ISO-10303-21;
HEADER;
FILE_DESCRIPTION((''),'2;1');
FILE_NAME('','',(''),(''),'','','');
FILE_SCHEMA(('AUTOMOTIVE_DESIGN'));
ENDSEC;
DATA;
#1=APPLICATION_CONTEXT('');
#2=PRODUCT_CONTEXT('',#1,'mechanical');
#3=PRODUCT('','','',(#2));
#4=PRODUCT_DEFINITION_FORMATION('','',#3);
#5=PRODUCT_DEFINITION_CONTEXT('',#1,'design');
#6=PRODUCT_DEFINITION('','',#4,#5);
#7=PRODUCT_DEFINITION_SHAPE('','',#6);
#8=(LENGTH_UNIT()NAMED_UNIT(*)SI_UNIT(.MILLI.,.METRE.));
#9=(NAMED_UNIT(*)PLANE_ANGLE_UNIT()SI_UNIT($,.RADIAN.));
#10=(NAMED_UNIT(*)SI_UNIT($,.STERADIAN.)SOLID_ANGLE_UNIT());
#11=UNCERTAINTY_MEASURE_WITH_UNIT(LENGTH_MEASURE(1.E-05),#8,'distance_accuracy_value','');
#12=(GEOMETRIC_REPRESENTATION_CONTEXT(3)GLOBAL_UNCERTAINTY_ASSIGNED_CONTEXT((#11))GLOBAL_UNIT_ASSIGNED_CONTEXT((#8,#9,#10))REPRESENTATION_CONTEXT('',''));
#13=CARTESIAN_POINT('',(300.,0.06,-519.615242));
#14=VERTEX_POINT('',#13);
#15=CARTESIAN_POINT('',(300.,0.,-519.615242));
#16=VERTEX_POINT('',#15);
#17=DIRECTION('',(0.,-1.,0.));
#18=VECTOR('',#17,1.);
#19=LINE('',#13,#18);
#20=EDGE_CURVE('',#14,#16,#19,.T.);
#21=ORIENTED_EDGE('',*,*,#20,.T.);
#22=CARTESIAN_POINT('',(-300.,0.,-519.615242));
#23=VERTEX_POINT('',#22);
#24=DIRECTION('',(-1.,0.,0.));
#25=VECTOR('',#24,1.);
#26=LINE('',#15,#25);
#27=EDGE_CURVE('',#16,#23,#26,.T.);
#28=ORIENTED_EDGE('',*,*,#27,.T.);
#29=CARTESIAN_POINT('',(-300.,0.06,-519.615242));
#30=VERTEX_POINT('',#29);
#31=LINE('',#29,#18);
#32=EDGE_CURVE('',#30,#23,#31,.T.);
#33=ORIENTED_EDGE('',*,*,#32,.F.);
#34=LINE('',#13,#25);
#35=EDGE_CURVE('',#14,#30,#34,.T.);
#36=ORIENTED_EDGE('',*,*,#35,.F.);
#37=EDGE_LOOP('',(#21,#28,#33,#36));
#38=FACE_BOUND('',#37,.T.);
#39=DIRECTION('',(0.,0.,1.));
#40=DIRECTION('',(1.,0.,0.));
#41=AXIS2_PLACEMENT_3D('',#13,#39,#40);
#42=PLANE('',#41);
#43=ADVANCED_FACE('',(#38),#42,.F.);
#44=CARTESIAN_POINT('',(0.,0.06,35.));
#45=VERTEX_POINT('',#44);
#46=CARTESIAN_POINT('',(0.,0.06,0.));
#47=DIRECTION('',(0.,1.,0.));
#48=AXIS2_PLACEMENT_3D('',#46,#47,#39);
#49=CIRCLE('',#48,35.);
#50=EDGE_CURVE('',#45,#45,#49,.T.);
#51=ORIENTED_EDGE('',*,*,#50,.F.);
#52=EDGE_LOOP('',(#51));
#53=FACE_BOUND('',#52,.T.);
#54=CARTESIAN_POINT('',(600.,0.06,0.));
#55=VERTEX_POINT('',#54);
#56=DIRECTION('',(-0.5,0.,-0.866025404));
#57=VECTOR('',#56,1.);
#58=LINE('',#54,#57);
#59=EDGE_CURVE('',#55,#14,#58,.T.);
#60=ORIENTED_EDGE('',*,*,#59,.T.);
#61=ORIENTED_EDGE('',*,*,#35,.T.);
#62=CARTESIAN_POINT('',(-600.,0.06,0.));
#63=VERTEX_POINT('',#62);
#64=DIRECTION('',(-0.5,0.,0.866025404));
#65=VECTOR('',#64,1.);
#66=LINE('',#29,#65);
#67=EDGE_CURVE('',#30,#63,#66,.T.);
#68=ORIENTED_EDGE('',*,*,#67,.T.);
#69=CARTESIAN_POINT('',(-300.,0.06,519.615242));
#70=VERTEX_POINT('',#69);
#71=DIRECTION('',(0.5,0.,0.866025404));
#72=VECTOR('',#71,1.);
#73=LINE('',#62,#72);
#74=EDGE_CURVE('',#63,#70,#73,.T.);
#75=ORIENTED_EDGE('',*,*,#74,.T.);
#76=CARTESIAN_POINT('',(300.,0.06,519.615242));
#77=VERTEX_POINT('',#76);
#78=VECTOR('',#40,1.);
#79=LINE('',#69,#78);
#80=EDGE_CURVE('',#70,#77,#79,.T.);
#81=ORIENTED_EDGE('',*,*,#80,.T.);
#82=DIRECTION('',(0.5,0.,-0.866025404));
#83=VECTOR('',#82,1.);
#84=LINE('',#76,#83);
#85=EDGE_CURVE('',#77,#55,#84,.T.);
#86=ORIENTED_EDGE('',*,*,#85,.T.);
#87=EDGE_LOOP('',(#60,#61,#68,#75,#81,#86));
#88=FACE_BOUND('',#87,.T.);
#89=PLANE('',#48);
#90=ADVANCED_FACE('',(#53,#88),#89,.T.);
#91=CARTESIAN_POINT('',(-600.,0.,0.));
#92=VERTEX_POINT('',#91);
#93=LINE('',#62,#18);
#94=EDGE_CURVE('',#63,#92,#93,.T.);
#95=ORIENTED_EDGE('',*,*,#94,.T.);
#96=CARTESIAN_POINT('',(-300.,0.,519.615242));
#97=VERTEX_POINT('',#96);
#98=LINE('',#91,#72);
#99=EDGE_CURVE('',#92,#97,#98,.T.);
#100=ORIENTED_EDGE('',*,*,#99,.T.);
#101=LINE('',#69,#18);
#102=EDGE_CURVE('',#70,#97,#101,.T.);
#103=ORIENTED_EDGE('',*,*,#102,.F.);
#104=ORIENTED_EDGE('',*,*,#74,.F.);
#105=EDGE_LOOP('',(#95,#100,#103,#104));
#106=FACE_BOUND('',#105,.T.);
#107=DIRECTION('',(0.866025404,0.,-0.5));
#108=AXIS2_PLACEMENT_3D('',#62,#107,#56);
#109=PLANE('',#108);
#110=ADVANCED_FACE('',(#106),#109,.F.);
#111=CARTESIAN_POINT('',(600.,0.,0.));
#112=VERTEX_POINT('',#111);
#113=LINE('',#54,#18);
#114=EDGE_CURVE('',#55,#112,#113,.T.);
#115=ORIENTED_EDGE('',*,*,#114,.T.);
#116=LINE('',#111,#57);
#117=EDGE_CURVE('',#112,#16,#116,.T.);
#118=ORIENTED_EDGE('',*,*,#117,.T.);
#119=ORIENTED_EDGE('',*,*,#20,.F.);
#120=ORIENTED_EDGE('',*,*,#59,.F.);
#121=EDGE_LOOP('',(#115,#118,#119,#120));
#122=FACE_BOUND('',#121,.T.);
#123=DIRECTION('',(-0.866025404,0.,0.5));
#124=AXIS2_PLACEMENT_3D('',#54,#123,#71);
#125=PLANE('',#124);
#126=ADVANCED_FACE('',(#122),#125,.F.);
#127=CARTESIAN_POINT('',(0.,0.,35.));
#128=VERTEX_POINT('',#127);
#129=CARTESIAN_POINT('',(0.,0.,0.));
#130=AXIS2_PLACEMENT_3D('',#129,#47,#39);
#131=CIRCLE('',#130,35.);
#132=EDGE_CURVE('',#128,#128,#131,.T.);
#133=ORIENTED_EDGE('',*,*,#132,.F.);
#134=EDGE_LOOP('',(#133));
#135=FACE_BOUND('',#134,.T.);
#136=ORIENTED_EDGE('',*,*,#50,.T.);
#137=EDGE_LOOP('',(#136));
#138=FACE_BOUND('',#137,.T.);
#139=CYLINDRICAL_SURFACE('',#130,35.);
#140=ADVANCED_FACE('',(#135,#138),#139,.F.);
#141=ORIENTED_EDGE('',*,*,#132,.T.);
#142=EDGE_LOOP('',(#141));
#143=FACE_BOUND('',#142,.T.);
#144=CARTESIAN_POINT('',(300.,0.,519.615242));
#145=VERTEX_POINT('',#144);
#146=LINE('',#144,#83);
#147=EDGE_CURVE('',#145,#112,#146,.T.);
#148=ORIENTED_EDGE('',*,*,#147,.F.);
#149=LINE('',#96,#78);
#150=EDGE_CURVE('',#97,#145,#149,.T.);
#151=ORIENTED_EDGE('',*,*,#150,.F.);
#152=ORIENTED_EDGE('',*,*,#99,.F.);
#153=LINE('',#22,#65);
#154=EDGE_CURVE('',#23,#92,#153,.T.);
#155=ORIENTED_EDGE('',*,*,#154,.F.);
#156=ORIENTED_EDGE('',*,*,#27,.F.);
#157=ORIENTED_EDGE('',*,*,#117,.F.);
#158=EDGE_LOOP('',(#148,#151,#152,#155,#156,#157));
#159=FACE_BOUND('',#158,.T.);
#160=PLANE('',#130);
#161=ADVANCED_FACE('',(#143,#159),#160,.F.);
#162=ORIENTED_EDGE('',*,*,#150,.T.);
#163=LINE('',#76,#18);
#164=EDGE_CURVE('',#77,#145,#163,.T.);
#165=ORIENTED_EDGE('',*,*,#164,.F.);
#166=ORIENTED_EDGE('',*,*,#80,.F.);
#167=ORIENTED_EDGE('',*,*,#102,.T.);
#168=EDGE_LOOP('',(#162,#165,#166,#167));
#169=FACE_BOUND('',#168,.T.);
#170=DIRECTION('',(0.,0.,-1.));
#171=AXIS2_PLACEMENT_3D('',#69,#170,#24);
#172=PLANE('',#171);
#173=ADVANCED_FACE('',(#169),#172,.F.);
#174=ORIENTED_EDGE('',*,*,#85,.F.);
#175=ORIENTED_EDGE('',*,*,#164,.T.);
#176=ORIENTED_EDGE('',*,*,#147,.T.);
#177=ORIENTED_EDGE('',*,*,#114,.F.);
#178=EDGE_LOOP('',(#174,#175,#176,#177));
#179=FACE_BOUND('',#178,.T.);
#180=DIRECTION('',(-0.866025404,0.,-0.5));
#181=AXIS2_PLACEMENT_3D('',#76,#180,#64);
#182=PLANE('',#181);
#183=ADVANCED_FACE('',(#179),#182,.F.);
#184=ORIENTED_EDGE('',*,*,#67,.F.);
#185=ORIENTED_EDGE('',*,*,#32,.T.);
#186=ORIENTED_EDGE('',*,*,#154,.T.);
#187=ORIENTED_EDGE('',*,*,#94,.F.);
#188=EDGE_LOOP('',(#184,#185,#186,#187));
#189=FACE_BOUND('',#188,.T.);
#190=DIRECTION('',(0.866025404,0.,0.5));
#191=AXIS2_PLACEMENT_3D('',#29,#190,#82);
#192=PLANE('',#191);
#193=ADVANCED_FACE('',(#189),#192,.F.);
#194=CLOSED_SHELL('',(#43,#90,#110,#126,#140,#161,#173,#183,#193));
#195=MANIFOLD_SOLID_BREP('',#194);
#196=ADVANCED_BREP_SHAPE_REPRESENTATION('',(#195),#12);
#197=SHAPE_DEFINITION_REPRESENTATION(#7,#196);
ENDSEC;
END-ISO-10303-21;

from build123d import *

# Parameters (mm, degrees)
EXTRUDE_1_DEPTH     = 0.06
SKETCH_2_R          = 35
CUT_EXTRUDE_1_DEPTH = 0.06


with BuildPart() as part:
    # Эскиз1 → Бобышка-Вытянуть1 (new body)
    with BuildSketch(Plane(origin=(0, 0, 0), x_dir=(1, 0, 0), z_dir=(0, 1, 0))):
        Polygon((-600, 0), (-300, -519.615242271), (300, -519.615242271), (600, 0), (300, 519.615242271), (-300, 519.615242271), align=None)
    extrude(amount=EXTRUDE_1_DEPTH)

    # Эскиз2 → Вырез-Вытянуть1 (cut)
    with BuildSketch(Plane(origin=(0, 0.06, 0), x_dir=(1, 0, 0), z_dir=(0, 1, 0))):
        with Locations(Location((0, 0, 0), (0, 0, 270))):
            Circle(SKETCH_2_R)
    extrude(amount=-CUT_EXTRUDE_1_DEPTH, mode=Mode.SUBTRACT)


solid = part.part
